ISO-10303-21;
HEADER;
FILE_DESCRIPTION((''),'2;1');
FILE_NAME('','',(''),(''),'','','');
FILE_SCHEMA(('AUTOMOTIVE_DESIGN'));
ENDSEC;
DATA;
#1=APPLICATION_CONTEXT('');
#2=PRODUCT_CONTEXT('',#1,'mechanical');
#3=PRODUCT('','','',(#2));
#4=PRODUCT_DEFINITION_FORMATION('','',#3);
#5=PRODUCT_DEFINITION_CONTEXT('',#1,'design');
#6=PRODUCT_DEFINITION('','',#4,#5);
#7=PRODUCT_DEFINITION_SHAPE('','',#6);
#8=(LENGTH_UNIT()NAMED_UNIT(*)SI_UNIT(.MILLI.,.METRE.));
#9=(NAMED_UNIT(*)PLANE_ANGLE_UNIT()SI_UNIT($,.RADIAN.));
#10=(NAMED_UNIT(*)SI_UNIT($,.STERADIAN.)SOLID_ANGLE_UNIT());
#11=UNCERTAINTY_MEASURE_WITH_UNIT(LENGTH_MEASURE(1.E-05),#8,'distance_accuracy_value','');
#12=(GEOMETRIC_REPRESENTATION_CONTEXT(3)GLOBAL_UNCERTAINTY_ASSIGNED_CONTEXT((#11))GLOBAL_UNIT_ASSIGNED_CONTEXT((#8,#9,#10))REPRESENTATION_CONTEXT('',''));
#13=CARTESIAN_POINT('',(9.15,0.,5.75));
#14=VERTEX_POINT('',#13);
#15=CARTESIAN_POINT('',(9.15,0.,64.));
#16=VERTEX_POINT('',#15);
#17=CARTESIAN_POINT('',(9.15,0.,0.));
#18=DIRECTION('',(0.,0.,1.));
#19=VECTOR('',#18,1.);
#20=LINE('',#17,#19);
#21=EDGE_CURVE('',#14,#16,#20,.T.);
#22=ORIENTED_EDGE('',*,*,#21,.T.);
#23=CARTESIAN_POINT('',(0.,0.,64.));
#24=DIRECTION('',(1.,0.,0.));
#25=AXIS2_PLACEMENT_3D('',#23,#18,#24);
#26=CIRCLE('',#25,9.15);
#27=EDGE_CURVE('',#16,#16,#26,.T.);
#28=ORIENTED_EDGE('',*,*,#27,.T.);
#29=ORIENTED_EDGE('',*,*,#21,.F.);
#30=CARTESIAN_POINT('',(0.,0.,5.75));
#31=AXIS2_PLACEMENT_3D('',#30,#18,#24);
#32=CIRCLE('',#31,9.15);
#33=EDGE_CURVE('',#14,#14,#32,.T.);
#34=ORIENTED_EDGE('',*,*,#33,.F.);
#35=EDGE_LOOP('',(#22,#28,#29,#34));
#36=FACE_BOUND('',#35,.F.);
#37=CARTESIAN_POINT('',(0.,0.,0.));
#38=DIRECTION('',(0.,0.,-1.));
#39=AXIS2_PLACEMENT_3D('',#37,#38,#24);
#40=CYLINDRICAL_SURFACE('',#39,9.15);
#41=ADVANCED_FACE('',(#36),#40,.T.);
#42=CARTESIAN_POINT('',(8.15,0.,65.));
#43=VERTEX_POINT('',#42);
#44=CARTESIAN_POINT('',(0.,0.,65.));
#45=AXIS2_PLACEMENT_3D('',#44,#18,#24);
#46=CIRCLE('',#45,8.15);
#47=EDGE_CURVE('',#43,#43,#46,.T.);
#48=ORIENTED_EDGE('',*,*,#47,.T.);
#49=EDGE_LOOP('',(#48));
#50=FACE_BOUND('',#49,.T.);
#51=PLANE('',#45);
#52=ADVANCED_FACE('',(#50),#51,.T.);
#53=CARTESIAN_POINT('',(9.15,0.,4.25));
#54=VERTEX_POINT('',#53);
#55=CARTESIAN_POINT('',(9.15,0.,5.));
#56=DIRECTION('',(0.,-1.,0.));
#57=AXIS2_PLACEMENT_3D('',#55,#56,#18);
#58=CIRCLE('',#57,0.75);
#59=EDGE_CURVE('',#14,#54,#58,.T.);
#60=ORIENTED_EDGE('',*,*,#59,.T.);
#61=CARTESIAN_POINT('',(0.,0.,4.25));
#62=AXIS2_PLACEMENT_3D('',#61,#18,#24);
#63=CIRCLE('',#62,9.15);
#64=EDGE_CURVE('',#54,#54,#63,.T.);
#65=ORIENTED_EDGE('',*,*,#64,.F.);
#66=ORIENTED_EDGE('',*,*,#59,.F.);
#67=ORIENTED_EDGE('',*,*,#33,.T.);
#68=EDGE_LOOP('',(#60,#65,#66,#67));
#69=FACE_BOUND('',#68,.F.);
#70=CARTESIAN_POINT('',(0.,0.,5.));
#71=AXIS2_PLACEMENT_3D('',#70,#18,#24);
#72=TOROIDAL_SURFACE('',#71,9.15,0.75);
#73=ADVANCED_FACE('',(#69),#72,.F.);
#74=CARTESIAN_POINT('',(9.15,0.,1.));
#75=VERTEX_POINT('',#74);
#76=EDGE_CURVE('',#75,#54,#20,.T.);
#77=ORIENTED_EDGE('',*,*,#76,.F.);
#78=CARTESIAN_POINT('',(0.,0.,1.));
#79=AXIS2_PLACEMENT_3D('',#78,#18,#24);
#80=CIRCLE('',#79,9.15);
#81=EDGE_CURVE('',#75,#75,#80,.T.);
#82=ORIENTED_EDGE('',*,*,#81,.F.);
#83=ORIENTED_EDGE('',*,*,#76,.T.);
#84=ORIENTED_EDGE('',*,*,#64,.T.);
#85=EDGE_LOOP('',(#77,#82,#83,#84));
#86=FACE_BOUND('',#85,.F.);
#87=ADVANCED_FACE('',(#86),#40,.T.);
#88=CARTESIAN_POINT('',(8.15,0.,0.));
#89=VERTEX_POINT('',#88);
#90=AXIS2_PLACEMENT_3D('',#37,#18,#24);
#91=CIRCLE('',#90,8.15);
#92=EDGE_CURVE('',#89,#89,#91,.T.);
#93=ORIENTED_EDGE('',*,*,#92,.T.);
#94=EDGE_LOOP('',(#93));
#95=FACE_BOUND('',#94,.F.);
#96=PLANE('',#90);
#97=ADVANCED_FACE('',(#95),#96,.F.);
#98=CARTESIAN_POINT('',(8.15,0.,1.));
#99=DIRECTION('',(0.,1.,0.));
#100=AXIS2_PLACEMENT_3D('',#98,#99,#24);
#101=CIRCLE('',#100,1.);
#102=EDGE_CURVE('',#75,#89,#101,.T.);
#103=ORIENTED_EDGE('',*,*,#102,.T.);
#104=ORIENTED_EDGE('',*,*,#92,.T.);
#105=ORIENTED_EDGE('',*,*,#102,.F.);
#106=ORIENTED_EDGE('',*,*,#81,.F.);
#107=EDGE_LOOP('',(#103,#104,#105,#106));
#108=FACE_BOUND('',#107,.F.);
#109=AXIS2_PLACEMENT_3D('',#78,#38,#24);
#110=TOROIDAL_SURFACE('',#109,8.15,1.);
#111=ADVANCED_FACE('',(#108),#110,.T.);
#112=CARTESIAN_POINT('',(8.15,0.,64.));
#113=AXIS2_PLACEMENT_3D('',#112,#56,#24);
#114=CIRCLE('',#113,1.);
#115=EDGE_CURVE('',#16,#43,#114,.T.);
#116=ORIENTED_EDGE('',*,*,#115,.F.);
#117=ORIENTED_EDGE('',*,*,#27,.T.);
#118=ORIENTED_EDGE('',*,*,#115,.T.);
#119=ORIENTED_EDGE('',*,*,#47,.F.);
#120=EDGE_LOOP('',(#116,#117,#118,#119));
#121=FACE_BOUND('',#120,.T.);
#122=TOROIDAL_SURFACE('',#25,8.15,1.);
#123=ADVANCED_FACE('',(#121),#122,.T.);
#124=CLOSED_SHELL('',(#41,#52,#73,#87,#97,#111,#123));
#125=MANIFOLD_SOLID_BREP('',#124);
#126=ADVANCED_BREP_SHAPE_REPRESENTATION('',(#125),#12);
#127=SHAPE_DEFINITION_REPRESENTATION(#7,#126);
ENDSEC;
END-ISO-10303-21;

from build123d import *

# Parameters (mm, degrees)
F0_R     = 9.15
F1_DEPTH = 65
F4_R     = 1


with BuildPart() as f1:
    # F0 (on Top) → F1 (new body)
    with BuildSketch(Plane.XY):
        Circle(F0_R)
    extrude(amount=F1_DEPTH)

    # F2 (on Front) → F3 (revolve, cut)
    with BuildSketch(Plane.XZ):
        with BuildLine():
            Line((9.15, 4.25), (9.15, 5.75))
            ThreePointArc((9.15, 5.75), (8.4, 5), (9.15, 4.25))
        make_face()
    revolve(axis=Axis((0, 0, 13.149248), (0, 0, 1)), mode=Mode.SUBTRACT)

    # F4
    f4_edges = [f1.edges().sort_by_distance(p)[0] for p in [
        (-9.15, 0, 65),
        (-9.15, 0, 0),
    ]]
    fillet(f4_edges, radius=F4_R)


solid = f1.part
